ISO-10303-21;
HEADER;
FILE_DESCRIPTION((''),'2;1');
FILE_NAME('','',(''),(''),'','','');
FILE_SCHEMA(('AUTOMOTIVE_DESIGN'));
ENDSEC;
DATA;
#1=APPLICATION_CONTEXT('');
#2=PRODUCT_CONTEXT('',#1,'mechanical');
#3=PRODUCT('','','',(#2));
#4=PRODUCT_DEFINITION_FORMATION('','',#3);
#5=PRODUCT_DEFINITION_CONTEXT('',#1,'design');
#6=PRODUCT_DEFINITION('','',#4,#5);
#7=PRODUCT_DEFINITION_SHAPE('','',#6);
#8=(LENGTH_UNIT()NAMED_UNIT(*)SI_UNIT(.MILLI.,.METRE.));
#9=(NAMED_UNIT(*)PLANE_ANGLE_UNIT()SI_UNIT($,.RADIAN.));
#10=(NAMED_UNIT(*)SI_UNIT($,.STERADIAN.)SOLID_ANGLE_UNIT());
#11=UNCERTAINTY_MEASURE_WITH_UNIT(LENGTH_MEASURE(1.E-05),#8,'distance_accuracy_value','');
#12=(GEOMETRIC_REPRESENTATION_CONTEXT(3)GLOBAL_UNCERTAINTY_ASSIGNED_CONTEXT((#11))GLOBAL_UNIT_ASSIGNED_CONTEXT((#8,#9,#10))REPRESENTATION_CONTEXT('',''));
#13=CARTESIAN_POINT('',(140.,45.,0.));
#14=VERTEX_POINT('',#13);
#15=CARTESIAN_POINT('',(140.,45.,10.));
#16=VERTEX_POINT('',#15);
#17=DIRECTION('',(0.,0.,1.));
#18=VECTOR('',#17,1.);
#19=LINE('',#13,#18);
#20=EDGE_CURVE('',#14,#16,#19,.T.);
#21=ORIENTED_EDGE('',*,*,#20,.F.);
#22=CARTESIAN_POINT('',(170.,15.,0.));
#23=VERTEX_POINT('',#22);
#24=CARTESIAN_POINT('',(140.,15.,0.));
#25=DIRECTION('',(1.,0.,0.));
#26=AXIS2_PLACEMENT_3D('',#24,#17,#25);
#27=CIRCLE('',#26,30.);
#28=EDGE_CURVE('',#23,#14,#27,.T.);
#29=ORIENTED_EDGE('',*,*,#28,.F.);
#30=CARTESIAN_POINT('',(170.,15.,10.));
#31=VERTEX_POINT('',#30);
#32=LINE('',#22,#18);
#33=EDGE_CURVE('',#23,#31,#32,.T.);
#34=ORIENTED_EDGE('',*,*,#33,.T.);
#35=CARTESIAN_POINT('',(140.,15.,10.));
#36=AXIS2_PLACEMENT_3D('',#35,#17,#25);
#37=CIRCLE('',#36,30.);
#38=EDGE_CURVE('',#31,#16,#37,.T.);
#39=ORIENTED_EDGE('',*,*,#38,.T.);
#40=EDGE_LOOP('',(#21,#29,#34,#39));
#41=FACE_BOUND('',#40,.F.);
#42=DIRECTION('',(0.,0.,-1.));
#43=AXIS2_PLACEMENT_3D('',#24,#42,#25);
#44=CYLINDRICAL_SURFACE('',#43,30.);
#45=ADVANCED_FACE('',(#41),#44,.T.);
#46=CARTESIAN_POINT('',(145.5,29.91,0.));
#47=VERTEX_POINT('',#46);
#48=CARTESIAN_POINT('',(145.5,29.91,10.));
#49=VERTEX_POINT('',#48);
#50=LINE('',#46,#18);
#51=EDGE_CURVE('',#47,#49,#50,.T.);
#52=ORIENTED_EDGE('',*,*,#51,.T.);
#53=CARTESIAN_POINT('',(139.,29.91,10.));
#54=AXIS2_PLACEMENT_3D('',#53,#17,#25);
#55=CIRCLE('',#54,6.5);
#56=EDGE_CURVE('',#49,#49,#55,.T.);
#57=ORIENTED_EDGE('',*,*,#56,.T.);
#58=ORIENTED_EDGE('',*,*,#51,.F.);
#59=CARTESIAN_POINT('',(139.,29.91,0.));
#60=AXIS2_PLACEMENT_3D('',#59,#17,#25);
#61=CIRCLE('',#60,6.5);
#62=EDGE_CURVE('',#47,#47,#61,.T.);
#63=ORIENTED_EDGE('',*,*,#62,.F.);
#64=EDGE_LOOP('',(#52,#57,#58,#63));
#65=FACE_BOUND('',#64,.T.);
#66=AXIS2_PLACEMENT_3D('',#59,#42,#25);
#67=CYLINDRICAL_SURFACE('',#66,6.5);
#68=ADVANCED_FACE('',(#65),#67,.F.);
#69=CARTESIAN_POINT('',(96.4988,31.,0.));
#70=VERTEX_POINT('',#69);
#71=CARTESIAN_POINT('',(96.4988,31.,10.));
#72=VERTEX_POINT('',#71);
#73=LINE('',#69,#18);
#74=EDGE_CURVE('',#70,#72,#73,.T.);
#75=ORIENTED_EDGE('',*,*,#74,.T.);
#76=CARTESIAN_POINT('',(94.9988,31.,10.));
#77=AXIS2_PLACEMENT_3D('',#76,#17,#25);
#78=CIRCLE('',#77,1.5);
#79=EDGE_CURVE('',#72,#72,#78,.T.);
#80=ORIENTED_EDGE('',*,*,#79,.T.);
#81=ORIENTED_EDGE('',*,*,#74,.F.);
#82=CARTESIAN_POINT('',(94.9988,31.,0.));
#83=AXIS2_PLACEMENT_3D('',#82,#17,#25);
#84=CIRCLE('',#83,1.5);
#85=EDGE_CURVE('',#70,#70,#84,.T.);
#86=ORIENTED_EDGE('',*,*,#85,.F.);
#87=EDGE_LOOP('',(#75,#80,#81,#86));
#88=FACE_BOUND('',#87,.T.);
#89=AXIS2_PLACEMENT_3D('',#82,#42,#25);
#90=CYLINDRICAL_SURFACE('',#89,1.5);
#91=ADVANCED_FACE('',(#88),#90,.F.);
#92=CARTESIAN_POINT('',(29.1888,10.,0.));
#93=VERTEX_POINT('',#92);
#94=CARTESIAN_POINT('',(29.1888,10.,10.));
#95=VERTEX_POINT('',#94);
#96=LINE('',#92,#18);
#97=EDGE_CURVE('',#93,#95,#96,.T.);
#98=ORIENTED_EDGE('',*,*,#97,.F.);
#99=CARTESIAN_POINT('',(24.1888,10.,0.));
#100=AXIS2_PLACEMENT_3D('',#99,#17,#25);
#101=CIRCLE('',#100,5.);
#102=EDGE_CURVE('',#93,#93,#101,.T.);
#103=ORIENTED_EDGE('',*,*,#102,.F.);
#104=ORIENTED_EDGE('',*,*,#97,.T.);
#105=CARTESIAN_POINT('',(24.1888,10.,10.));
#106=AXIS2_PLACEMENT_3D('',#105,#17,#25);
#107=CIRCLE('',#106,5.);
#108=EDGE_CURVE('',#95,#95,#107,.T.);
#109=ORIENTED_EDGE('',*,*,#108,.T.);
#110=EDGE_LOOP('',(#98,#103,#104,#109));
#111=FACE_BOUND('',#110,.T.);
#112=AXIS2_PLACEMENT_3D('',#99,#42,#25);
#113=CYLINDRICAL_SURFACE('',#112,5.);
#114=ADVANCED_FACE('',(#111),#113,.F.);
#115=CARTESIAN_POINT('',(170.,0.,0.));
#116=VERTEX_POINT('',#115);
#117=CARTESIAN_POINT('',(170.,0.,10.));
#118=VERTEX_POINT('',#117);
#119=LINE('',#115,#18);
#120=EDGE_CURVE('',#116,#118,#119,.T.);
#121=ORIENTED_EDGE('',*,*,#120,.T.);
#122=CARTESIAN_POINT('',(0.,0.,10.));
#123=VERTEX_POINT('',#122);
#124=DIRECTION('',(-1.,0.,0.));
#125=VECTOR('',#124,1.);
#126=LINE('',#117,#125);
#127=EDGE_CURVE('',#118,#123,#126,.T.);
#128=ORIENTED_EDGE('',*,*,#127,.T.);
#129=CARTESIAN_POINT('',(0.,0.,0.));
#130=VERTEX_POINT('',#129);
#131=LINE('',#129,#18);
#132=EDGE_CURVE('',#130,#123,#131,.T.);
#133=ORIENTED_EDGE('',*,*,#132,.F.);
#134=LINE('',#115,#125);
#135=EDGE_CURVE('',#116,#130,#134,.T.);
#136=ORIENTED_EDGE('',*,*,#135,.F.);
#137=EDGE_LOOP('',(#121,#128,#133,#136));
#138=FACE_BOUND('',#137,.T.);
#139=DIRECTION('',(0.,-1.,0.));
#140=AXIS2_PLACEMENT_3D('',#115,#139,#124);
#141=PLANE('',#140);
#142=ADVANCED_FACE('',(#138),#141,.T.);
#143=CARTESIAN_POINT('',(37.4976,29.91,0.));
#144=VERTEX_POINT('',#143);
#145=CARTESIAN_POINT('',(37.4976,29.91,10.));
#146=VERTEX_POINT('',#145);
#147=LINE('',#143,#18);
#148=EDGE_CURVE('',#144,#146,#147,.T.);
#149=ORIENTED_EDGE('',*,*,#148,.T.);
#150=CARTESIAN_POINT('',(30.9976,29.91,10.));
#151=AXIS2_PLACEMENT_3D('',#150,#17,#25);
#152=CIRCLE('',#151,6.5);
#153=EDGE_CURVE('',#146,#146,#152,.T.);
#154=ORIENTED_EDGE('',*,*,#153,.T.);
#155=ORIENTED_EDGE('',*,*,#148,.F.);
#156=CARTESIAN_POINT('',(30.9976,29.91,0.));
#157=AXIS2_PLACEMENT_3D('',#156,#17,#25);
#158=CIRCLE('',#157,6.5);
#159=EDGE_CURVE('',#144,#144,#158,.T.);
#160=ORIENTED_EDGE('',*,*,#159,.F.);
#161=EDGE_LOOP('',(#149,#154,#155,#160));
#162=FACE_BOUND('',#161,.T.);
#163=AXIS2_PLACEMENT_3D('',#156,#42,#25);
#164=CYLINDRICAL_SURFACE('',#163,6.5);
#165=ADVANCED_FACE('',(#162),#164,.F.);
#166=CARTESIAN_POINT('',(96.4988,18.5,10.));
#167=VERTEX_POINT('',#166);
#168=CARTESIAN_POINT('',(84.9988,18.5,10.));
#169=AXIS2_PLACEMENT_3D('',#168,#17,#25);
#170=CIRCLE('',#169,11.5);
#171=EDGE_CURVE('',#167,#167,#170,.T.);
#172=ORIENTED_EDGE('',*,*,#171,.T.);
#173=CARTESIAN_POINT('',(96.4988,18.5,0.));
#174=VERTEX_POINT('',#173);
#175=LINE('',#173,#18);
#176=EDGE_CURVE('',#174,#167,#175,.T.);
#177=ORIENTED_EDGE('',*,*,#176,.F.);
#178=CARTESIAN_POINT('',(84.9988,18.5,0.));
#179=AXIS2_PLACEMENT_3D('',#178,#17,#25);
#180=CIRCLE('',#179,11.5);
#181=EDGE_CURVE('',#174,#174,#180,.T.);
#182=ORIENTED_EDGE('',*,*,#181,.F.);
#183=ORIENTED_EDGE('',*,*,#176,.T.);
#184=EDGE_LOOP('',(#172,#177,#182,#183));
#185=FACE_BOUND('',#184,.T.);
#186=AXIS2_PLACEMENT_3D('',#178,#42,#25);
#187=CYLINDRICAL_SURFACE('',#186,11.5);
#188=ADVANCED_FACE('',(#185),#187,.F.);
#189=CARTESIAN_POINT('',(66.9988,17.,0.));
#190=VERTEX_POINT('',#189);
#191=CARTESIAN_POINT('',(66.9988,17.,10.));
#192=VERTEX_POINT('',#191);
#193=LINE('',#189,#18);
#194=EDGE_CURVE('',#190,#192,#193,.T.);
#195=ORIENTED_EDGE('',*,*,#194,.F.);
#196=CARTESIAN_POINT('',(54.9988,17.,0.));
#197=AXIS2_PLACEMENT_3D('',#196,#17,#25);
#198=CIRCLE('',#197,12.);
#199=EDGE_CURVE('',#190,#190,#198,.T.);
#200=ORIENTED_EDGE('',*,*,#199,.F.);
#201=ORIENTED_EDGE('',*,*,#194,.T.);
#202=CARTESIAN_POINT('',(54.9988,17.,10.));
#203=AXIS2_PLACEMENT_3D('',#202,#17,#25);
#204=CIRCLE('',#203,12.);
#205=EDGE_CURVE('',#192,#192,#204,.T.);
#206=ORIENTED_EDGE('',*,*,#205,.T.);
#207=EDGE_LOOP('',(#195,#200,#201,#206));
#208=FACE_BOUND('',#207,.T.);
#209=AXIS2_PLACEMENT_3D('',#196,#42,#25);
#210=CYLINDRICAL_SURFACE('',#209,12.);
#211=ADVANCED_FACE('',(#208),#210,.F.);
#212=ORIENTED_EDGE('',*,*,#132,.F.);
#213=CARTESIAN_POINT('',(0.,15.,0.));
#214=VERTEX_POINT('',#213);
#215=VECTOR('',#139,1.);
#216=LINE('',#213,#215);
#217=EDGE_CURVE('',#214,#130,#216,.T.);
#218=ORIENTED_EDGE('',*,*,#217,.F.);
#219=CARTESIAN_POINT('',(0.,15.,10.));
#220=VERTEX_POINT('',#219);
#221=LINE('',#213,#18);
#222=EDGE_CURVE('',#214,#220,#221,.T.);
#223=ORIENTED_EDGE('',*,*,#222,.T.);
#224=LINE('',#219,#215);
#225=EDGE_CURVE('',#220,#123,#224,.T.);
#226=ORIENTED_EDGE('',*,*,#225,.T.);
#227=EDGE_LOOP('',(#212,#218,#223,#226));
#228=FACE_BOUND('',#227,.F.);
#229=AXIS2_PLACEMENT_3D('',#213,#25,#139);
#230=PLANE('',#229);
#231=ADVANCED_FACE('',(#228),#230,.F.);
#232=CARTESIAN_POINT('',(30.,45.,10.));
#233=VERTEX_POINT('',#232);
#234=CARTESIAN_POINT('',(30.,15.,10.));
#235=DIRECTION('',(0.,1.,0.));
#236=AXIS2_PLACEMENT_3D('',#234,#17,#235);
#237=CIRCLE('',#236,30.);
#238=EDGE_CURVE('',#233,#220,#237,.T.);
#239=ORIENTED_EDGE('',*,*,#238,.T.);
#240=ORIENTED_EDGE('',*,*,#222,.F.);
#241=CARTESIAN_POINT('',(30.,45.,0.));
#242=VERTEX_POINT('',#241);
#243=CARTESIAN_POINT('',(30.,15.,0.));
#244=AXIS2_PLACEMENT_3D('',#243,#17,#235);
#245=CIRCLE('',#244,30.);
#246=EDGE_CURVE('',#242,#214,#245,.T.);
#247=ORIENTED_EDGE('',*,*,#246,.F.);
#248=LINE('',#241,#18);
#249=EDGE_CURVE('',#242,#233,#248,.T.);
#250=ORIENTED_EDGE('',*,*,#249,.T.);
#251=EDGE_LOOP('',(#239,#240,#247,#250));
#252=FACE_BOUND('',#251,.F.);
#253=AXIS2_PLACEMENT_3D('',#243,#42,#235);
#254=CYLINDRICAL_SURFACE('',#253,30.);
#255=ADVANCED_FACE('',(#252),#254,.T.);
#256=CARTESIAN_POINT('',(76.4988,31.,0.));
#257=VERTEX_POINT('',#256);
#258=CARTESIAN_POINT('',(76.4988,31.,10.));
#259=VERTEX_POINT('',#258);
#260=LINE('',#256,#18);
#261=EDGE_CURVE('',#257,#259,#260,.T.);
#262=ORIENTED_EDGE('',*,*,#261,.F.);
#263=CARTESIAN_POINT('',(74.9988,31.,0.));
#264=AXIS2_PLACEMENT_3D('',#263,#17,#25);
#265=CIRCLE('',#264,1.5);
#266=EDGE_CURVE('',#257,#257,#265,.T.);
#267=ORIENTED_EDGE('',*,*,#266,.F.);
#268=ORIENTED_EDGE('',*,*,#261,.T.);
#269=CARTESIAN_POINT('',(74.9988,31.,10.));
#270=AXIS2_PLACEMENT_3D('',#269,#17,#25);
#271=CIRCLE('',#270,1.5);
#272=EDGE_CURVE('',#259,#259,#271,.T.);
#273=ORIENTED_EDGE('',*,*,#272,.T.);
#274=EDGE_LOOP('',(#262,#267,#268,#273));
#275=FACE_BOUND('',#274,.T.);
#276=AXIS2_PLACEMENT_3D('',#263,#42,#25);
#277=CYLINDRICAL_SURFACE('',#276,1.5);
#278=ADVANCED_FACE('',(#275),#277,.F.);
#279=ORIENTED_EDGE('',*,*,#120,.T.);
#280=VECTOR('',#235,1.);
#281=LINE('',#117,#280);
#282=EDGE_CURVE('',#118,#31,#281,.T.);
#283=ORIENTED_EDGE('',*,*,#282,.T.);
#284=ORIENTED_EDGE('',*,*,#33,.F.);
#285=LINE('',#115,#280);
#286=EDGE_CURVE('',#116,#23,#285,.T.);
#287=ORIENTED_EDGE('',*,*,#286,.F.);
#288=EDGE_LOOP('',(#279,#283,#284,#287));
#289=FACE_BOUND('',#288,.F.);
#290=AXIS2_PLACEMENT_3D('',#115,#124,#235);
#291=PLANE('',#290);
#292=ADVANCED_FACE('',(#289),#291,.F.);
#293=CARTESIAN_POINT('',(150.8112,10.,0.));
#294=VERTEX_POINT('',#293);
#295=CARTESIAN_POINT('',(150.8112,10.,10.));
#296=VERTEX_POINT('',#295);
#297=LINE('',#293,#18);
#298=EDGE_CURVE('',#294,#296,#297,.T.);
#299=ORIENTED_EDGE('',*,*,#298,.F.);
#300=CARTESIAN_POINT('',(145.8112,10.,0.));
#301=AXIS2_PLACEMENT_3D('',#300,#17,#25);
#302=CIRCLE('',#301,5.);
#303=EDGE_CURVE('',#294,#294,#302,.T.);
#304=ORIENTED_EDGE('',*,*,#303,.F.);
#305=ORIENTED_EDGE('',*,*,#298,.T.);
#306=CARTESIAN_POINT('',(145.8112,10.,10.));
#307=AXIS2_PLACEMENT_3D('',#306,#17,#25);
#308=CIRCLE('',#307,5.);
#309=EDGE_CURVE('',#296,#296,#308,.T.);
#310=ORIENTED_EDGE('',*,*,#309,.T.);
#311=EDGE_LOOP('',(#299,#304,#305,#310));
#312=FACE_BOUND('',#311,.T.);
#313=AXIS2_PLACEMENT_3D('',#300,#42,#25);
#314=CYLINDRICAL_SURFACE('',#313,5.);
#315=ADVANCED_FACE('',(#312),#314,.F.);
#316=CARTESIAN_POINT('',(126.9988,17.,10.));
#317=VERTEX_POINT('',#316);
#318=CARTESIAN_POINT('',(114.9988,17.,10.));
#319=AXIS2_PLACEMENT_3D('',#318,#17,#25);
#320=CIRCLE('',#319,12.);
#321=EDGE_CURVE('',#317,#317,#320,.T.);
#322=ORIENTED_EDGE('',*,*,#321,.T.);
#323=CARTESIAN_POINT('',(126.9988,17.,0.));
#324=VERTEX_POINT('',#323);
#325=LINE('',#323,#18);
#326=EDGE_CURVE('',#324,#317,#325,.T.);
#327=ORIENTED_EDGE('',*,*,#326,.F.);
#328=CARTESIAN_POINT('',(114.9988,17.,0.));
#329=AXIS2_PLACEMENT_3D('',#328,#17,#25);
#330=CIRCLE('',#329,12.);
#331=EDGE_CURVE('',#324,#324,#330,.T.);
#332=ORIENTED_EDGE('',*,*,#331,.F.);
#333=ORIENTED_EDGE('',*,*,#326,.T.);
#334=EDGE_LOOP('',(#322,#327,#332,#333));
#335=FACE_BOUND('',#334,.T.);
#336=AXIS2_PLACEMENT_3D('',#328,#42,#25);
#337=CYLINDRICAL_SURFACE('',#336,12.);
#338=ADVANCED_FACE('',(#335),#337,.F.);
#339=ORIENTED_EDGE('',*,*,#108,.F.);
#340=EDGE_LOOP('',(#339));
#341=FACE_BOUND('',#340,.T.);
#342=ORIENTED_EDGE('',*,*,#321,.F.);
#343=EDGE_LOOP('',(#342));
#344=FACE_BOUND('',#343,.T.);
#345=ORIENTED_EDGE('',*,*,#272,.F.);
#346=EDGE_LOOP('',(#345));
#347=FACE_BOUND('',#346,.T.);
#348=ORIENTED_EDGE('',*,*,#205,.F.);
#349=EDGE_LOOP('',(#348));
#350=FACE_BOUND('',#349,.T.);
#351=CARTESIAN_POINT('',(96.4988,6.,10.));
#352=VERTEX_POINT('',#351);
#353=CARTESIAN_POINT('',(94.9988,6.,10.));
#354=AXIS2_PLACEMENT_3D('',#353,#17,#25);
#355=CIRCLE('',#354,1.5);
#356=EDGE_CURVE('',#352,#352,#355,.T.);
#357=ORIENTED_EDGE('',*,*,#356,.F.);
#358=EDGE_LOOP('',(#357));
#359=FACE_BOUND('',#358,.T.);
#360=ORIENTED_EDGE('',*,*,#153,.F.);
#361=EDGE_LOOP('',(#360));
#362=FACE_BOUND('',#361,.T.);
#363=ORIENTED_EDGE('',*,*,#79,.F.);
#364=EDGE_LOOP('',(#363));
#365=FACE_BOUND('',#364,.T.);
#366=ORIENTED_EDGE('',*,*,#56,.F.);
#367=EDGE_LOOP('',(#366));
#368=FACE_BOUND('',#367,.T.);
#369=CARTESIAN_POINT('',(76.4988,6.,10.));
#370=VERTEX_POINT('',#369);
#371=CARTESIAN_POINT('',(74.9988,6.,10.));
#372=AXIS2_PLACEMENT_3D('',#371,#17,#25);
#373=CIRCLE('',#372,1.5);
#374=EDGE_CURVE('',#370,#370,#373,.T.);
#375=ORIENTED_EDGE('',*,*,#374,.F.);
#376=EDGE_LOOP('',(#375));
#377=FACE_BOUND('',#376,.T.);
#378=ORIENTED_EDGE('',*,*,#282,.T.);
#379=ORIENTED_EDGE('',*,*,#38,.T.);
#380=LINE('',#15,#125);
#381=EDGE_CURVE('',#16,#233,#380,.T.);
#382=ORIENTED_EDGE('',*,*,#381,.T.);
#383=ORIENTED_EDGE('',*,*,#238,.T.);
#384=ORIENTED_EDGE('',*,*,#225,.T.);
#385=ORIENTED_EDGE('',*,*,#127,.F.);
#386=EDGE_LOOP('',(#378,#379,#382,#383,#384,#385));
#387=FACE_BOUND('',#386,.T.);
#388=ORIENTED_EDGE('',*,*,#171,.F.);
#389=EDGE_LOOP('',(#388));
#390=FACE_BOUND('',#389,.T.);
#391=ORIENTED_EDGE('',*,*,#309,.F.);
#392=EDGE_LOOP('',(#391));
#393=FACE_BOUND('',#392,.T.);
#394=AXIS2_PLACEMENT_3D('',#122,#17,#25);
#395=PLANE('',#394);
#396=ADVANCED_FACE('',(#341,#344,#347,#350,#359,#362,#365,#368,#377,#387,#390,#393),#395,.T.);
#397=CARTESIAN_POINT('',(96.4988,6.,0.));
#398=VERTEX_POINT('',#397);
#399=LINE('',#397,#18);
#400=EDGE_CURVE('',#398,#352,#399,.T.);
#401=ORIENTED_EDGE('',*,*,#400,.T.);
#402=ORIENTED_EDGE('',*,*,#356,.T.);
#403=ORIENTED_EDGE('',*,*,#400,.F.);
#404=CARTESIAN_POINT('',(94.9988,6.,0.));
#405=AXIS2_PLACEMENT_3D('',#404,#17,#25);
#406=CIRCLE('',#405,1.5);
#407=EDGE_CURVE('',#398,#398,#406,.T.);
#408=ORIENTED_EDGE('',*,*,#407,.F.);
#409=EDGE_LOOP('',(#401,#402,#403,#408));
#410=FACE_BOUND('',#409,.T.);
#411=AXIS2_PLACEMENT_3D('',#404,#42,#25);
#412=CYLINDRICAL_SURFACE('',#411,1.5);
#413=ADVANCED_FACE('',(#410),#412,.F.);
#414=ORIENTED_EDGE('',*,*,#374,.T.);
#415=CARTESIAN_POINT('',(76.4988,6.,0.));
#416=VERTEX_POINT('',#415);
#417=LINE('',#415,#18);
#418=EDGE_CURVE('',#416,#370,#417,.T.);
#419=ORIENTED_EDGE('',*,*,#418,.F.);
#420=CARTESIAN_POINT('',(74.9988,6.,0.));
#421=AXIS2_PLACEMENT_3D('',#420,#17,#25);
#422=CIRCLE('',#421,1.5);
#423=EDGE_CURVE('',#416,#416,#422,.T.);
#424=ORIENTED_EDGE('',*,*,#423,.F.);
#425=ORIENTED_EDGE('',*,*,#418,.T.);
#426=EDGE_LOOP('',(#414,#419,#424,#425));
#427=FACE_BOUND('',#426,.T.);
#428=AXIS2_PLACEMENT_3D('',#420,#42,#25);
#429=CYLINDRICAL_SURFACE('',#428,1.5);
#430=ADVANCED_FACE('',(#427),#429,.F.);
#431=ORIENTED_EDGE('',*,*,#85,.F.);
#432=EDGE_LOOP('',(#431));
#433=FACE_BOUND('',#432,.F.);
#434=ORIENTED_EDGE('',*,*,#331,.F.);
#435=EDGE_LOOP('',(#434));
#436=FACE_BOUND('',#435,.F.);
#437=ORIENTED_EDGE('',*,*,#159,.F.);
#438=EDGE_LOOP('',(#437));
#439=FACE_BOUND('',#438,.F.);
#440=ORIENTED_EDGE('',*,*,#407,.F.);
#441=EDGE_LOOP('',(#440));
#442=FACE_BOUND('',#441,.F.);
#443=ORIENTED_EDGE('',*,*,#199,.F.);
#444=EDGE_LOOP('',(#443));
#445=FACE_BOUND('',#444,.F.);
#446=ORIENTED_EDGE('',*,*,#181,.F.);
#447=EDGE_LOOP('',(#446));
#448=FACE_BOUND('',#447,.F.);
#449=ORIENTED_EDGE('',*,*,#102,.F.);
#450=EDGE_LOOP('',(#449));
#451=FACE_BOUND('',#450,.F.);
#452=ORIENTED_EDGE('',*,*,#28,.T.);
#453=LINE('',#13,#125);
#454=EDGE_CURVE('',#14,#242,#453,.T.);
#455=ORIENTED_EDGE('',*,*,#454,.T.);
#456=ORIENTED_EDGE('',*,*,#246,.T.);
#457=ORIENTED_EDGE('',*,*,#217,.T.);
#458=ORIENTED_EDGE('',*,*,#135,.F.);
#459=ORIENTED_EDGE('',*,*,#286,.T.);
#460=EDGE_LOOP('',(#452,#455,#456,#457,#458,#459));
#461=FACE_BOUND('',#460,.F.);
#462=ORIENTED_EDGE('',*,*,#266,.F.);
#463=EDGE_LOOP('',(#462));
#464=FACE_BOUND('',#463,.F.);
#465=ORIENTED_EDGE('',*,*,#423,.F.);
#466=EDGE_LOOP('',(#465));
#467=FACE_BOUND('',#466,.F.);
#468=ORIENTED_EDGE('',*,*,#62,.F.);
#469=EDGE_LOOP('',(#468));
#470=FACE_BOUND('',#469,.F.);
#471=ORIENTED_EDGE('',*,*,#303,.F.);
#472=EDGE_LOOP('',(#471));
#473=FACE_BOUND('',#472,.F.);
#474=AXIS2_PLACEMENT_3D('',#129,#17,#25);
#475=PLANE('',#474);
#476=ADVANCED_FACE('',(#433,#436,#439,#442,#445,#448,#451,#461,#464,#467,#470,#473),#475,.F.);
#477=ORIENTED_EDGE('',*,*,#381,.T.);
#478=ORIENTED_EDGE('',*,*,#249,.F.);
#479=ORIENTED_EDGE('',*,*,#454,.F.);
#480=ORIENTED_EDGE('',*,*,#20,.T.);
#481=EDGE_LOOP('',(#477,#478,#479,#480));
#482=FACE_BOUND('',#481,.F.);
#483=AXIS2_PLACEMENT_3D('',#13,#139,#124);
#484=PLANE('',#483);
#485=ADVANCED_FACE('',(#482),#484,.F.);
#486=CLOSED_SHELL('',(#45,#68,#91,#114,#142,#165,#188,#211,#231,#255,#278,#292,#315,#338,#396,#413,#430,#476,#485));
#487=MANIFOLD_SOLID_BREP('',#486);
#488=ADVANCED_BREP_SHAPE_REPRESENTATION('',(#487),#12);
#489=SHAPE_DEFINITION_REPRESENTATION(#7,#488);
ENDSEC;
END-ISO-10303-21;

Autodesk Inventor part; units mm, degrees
ref_plane "YZ Plane" through (0, 0, 0) normal (1, 0, 0) x (0, 1, 0)
ref_plane "XZ Plane" through (0, 0, 0) normal (0, 1, 0) x (-1, 0, 0)
ref_plane "XY Plane" through (0, 0, 0) normal (0, 0, 1) x (1, 0, 0)
sketch "Sketch1" plane through (0, 0, 0) normal (0, 0, 1) x (1, 0, 0)
  line L0 (170, 0) -> (0, 0)
  circle A0 centre (145.8112, 10) radius 5
  circle A1 centre (24.1888, 10) radius 5
  circle A2 centre (114.9988, 17) radius 12
  circle A3 centre (54.9988, 17) radius 12
  circle A4 centre (139, 29.91) radius 6.5
  circle A5 centre (30.9976, 29.91) radius 6.5
  arc A6 (30, 45) -> (0, 15) centre (30, 15) ccw
  arc A7 (170, 15) -> (140, 45) centre (140, 15) ccw
  circle A8 centre (84.9988, 18.5) radius 11.5
  circle A9 centre (94.9988, 6) radius 1.5
  circle A10 centre (74.9988, 31) radius 1.5
  circle A11 centre (94.9988, 31) radius 1.5
  circle A12 centre (74.9988, 6) radius 1.5
  line L1 (0, 15) -> (0, 0)
  line L2 (170, 0) -> (170, 15)
  line L3 (140, 45) -> (30, 45)
extrude "Extrusion1" add sketch "Sketch1" along normal blind 10
properties part number "rear_plugbar"
